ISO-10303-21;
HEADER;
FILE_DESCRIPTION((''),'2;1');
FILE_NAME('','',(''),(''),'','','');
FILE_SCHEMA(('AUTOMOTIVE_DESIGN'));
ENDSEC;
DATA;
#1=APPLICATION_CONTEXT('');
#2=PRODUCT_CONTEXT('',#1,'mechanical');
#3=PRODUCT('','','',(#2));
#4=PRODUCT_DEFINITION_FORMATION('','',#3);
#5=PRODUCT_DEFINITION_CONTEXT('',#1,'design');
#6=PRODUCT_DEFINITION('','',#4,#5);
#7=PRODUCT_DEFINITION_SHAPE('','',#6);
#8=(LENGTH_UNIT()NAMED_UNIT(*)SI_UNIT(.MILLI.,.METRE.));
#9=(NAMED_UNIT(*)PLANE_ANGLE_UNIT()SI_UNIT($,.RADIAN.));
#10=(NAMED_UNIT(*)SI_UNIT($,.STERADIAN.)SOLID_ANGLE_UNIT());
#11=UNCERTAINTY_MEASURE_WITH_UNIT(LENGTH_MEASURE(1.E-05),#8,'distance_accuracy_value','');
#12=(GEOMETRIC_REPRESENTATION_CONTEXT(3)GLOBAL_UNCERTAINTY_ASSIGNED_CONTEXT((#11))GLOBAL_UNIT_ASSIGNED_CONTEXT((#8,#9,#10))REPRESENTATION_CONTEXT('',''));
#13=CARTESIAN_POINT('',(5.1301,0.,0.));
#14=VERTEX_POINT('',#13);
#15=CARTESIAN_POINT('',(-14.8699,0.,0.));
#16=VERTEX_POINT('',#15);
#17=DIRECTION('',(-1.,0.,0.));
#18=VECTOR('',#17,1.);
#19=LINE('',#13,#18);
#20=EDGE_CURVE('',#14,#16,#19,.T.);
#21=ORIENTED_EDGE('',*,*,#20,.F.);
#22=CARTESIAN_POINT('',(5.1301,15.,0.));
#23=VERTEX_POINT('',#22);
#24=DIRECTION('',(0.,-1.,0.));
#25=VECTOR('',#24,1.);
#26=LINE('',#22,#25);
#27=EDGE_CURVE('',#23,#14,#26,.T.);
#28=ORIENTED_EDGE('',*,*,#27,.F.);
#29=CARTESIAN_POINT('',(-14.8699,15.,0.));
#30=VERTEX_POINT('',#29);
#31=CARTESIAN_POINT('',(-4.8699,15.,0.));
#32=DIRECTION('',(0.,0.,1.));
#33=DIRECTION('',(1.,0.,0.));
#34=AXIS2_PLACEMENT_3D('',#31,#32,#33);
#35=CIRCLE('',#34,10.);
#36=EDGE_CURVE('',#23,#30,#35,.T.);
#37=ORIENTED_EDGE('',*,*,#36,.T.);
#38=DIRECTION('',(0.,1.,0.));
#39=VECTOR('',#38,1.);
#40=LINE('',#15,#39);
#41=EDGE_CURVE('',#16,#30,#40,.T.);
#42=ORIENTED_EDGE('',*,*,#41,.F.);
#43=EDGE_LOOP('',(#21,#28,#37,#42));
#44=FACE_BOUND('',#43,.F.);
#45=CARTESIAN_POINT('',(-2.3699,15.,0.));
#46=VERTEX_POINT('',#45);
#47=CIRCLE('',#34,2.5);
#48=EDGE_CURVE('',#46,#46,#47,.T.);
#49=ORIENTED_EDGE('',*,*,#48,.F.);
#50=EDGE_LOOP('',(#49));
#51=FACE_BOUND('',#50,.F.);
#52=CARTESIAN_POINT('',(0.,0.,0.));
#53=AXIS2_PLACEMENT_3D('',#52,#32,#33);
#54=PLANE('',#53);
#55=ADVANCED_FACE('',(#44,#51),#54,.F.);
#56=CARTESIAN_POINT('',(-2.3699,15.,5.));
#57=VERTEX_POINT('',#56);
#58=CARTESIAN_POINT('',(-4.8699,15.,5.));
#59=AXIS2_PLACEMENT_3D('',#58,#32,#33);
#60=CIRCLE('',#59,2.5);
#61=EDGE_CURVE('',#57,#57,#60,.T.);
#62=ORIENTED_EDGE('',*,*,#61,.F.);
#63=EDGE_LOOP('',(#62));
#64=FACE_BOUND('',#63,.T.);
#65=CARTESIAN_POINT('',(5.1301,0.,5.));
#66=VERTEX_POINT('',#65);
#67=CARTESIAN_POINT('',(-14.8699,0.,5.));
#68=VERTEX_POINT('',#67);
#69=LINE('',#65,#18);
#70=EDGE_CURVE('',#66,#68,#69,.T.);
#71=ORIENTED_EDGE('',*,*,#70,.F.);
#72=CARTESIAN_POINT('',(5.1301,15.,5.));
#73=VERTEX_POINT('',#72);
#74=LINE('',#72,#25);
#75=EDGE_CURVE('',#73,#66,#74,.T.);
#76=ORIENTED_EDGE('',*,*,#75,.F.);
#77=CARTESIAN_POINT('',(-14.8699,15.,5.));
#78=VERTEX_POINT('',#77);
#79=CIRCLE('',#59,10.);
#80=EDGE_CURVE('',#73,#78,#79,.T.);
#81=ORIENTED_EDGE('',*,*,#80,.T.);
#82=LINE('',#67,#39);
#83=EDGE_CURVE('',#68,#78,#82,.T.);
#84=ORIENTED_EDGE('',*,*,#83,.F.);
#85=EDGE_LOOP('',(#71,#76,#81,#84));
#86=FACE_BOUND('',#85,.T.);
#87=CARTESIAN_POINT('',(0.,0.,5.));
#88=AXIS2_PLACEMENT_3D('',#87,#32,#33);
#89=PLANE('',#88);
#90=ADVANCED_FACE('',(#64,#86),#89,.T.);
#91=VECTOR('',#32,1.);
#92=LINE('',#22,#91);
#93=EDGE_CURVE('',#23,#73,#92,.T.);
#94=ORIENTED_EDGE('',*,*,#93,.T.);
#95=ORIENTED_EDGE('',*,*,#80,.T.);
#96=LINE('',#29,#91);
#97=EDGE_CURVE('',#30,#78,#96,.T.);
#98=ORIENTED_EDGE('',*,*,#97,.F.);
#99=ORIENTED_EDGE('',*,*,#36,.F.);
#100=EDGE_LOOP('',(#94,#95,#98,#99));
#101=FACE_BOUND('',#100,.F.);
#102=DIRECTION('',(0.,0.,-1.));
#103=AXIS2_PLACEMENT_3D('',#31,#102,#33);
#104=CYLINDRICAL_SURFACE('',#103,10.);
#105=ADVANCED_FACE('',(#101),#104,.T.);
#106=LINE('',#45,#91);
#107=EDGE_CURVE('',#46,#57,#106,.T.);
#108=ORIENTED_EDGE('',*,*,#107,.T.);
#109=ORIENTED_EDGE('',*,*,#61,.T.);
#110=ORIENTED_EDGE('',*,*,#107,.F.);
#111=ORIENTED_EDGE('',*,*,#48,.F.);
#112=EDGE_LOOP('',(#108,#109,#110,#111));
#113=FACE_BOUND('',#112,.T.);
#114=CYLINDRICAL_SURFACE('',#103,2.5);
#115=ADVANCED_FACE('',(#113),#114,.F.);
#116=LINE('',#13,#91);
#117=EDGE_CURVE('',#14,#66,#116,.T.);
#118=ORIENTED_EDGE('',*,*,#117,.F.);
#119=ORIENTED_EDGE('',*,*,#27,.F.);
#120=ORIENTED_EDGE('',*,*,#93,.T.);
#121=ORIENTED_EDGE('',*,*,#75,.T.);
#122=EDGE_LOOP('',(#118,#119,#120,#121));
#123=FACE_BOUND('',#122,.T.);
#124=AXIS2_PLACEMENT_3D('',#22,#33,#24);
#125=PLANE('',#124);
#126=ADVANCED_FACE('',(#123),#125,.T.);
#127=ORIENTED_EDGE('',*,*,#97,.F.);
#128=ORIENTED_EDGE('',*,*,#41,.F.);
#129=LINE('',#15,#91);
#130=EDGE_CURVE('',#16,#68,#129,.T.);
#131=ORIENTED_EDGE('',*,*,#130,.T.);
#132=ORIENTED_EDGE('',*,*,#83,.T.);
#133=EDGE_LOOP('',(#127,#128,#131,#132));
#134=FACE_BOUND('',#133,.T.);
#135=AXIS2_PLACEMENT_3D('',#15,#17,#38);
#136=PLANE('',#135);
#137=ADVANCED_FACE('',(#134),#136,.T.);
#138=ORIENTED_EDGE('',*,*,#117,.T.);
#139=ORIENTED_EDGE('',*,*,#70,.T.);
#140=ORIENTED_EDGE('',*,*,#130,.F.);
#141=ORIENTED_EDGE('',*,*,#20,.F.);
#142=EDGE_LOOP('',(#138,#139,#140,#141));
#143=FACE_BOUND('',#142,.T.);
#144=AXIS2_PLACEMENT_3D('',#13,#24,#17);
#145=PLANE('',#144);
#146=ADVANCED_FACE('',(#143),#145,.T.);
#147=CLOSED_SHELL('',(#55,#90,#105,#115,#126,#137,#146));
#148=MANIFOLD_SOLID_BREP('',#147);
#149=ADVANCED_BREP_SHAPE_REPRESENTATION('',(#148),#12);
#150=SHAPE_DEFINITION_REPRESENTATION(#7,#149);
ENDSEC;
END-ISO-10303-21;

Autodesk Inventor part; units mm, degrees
ref_plane "YZ Plane" through (0, 0, 0) normal (1, 0, 0) x (0, 1, 0)
ref_plane "XZ Plane" through (0, 0, 0) normal (0, 1, 0) x (-1, 0, 0)
ref_plane "XY Plane" through (0, 0, 0) normal (0, 0, 1) x (1, 0, 0)
sketch "Sketch1" plane through (0, 0, 0) normal (0, 0, 1) x (1, 0, 0)
  line L0 (5.1301, 15) -> (5.1301, 0)
  line L1 (5.1301, 0) -> (-14.8699, 0)
  line L2 (-14.8699, 0) -> (-14.8699, 15)
  arc A0 (5.1301, 15) -> (-14.8699, 15) centre (-4.8699, 15) ccw
  circle A1 centre (-4.8699, 15) radius 2.5
  point P0 (0, 0)
  dimension "d0" = 15
  dimension "d1" = 20
  dimension "d2" = 10
  dimension "d5" = 5
extrude "Extrusion1" add sketch "Sketch1" along normal blind 5
properties part number "M1"
